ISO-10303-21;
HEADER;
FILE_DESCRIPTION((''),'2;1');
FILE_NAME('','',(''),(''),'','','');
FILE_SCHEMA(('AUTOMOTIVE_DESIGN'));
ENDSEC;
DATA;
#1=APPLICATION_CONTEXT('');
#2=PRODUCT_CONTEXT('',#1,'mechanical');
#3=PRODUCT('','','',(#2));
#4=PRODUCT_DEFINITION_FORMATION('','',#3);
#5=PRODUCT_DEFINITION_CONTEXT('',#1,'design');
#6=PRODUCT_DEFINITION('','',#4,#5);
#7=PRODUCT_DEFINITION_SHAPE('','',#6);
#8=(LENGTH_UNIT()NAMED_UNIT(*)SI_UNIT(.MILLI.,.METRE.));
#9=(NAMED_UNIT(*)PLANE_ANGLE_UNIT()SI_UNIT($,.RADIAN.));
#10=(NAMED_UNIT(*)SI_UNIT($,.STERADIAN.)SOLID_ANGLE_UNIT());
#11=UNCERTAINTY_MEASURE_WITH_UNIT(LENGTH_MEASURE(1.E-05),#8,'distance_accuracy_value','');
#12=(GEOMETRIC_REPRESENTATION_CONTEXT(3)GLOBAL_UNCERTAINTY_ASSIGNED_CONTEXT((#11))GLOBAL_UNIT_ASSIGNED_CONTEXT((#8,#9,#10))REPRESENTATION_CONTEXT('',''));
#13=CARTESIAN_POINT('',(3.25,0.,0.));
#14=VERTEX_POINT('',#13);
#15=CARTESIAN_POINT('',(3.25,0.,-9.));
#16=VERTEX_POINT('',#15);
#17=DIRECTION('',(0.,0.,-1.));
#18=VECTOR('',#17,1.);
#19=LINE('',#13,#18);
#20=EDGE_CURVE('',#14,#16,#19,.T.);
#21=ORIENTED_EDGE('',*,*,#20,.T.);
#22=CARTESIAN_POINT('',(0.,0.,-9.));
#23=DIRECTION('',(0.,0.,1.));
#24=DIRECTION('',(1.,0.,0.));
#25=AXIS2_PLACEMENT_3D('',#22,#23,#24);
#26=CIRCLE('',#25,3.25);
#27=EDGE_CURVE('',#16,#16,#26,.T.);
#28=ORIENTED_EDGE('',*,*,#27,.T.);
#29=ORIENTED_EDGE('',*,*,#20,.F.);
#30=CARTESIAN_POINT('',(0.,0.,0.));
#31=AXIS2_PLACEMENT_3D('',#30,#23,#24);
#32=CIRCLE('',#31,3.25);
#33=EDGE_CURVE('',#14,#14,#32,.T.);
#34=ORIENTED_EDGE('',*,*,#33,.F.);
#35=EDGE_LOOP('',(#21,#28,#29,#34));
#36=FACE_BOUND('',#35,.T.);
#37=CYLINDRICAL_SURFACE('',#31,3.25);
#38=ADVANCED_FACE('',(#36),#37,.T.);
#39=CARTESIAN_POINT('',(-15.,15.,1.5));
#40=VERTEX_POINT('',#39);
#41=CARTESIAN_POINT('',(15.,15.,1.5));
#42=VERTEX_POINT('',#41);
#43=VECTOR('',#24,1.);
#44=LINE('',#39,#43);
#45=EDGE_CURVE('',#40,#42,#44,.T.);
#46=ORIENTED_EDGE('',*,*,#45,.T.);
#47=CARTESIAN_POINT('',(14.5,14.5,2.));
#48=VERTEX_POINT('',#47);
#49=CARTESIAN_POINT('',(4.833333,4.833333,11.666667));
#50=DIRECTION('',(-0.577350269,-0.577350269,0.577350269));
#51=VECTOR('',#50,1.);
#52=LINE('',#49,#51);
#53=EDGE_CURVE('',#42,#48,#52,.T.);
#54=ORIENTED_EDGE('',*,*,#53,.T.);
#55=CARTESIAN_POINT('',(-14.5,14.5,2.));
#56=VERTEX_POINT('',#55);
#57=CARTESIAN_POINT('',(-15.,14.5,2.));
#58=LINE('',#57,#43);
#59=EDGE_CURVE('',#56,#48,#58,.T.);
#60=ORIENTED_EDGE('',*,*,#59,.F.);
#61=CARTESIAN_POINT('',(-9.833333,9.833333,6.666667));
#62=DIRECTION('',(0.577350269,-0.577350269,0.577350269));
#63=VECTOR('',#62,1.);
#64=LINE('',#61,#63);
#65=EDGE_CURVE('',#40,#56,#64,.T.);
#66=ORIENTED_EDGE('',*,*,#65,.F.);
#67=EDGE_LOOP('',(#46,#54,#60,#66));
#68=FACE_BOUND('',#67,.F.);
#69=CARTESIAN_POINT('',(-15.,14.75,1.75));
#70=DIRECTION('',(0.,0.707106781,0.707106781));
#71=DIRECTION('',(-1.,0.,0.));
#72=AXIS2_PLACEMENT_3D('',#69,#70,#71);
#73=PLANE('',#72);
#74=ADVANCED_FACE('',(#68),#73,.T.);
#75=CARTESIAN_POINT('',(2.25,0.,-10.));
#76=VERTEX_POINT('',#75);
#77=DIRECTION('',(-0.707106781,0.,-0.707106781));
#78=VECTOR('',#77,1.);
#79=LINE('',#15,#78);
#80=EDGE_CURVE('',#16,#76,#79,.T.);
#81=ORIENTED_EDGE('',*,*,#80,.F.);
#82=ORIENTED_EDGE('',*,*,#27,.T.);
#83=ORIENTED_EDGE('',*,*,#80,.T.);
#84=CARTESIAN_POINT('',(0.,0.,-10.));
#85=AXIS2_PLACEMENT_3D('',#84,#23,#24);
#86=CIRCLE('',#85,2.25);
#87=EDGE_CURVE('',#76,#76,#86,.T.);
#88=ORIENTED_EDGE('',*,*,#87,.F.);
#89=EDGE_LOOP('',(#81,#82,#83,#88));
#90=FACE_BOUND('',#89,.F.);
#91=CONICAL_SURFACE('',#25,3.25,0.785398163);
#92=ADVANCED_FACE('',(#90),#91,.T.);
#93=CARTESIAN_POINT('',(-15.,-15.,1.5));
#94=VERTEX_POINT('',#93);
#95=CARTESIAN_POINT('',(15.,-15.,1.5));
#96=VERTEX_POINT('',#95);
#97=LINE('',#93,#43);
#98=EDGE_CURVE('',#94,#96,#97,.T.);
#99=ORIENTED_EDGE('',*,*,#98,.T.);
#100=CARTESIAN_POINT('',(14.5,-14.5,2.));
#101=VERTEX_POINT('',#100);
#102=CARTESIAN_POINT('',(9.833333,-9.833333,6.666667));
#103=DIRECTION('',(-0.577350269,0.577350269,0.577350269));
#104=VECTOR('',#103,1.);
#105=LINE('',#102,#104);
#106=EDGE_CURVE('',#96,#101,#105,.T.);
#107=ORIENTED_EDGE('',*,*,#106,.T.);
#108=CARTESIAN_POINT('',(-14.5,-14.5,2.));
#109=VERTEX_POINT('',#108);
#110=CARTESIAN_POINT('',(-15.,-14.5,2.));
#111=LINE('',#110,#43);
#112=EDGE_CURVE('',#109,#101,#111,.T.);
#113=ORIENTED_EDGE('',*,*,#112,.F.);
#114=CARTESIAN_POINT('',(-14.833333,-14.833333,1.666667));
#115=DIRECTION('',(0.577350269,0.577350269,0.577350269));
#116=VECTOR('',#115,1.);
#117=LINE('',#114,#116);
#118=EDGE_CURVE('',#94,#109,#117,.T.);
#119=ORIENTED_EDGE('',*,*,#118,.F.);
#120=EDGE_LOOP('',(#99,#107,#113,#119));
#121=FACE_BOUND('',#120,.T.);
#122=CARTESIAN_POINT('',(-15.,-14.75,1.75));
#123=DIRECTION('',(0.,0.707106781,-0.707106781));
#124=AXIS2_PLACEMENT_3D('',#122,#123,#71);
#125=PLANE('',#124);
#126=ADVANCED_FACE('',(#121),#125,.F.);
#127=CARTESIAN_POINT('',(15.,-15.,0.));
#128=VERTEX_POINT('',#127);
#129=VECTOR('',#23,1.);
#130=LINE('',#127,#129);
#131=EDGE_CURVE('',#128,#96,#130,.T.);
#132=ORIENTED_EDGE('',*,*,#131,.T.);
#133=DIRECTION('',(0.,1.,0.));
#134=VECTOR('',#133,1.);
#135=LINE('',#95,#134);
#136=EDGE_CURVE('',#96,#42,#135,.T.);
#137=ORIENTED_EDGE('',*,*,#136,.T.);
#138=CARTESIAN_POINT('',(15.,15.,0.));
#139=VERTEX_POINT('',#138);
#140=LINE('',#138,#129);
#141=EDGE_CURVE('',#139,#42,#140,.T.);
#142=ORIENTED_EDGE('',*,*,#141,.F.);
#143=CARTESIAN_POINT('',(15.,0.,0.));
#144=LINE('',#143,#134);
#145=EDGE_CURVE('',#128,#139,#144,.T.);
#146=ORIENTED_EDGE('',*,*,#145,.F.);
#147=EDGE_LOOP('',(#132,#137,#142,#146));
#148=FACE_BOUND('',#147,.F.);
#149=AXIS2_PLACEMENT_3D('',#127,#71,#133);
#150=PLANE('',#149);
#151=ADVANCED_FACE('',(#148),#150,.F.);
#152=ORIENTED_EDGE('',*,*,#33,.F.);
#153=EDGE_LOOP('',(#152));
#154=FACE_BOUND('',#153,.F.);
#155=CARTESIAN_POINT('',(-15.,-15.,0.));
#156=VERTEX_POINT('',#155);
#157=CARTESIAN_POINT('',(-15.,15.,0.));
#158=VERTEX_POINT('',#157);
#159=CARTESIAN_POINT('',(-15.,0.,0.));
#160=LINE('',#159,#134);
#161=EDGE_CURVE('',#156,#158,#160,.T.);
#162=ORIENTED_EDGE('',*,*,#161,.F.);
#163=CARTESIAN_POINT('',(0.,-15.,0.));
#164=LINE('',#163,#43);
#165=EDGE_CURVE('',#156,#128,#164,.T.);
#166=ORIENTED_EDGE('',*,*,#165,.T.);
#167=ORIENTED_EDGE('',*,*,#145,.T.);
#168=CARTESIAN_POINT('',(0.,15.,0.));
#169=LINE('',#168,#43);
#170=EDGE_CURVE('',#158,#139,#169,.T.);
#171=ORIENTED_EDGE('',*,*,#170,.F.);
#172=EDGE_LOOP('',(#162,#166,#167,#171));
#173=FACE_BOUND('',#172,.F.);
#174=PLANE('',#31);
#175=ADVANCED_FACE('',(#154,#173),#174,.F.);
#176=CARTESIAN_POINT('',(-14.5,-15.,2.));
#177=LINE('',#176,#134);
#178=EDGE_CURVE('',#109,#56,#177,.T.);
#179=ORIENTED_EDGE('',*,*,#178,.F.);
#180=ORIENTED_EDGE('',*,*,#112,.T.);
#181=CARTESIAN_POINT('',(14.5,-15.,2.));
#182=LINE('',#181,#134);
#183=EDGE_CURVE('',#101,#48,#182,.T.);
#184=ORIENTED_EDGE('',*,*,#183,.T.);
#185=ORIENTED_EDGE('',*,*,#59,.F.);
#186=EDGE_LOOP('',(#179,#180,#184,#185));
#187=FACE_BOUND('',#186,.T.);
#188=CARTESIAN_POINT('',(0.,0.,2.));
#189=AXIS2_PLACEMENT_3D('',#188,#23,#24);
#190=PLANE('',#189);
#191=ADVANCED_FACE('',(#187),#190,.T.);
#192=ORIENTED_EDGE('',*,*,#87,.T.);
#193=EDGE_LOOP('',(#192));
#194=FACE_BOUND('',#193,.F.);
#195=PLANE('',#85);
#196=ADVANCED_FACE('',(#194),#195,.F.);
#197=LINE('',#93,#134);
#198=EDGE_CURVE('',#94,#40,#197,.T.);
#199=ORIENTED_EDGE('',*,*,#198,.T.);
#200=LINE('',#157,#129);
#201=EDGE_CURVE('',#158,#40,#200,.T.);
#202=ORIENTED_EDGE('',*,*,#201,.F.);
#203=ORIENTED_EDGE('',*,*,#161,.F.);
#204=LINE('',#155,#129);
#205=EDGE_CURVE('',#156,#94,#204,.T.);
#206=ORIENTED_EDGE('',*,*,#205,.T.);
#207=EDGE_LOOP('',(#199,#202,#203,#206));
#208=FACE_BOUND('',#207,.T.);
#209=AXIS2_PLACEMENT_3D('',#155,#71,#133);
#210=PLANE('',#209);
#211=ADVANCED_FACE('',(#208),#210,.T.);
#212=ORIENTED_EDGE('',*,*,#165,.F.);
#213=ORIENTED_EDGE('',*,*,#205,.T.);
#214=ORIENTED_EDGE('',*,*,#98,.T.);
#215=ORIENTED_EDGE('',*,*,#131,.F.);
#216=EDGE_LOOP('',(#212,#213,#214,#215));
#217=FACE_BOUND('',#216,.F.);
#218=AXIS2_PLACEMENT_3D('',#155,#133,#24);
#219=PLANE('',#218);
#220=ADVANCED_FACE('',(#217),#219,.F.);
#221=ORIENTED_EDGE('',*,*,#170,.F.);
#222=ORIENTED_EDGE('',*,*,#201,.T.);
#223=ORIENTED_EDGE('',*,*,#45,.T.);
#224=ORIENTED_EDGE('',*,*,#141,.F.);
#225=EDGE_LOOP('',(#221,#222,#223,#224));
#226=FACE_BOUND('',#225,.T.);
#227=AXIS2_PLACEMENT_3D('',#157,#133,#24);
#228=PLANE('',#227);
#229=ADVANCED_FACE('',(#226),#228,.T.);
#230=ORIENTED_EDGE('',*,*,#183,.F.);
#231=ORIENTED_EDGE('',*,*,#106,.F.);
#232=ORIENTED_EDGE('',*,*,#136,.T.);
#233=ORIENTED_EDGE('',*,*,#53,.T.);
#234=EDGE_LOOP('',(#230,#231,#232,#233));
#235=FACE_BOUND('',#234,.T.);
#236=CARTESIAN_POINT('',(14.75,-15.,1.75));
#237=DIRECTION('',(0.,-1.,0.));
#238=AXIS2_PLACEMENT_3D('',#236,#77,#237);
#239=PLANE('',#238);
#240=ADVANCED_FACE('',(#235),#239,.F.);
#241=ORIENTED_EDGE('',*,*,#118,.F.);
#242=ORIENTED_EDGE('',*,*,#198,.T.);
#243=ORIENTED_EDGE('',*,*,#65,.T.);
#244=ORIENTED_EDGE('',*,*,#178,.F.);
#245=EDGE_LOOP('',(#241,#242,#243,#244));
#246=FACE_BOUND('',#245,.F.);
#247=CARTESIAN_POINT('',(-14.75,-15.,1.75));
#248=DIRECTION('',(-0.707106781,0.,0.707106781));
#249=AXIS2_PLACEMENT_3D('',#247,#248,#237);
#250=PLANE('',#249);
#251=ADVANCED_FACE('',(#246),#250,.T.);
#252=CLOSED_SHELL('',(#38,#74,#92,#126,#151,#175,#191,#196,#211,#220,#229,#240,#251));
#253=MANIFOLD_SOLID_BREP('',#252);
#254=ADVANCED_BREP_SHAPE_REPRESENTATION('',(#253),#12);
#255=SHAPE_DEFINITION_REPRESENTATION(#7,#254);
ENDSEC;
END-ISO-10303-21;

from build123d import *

# Parameters (mm, degrees)
F0_W     = 30
F0_H     = 30
F1_DEPTH = 2
F2_SIZE  = 0.5
F3_R     = 3.25
F4_DEPTH = 10
F5_SIZE  = 1


with BuildPart() as f1:
    # F0 (on Top) → F1 (new body)
    with BuildSketch(Plane.XY):
        Rectangle(F0_W, F0_H)
    extrude(amount=F1_DEPTH)

    # F2
    f2_edges = [f1.edges().sort_by_distance(p)[0] for p in [
        (-15, 0, 2),
        (0, 15, 2),
        (15, 0, 2),
        (0, -15, 2),
    ]]
    chamfer(f2_edges, length=F2_SIZE)

    # F3 (on Top) → F4 (join)
    with BuildSketch(Plane.XY):
        Circle(F3_R)
    extrude(amount=-F4_DEPTH)

    # F5
    f5_edges = [f1.edges().sort_by_distance(p)[0] for p in [
        (-3.25, 0, -10),
    ]]
    chamfer(f5_edges, length=F5_SIZE)


solid = f1.part
